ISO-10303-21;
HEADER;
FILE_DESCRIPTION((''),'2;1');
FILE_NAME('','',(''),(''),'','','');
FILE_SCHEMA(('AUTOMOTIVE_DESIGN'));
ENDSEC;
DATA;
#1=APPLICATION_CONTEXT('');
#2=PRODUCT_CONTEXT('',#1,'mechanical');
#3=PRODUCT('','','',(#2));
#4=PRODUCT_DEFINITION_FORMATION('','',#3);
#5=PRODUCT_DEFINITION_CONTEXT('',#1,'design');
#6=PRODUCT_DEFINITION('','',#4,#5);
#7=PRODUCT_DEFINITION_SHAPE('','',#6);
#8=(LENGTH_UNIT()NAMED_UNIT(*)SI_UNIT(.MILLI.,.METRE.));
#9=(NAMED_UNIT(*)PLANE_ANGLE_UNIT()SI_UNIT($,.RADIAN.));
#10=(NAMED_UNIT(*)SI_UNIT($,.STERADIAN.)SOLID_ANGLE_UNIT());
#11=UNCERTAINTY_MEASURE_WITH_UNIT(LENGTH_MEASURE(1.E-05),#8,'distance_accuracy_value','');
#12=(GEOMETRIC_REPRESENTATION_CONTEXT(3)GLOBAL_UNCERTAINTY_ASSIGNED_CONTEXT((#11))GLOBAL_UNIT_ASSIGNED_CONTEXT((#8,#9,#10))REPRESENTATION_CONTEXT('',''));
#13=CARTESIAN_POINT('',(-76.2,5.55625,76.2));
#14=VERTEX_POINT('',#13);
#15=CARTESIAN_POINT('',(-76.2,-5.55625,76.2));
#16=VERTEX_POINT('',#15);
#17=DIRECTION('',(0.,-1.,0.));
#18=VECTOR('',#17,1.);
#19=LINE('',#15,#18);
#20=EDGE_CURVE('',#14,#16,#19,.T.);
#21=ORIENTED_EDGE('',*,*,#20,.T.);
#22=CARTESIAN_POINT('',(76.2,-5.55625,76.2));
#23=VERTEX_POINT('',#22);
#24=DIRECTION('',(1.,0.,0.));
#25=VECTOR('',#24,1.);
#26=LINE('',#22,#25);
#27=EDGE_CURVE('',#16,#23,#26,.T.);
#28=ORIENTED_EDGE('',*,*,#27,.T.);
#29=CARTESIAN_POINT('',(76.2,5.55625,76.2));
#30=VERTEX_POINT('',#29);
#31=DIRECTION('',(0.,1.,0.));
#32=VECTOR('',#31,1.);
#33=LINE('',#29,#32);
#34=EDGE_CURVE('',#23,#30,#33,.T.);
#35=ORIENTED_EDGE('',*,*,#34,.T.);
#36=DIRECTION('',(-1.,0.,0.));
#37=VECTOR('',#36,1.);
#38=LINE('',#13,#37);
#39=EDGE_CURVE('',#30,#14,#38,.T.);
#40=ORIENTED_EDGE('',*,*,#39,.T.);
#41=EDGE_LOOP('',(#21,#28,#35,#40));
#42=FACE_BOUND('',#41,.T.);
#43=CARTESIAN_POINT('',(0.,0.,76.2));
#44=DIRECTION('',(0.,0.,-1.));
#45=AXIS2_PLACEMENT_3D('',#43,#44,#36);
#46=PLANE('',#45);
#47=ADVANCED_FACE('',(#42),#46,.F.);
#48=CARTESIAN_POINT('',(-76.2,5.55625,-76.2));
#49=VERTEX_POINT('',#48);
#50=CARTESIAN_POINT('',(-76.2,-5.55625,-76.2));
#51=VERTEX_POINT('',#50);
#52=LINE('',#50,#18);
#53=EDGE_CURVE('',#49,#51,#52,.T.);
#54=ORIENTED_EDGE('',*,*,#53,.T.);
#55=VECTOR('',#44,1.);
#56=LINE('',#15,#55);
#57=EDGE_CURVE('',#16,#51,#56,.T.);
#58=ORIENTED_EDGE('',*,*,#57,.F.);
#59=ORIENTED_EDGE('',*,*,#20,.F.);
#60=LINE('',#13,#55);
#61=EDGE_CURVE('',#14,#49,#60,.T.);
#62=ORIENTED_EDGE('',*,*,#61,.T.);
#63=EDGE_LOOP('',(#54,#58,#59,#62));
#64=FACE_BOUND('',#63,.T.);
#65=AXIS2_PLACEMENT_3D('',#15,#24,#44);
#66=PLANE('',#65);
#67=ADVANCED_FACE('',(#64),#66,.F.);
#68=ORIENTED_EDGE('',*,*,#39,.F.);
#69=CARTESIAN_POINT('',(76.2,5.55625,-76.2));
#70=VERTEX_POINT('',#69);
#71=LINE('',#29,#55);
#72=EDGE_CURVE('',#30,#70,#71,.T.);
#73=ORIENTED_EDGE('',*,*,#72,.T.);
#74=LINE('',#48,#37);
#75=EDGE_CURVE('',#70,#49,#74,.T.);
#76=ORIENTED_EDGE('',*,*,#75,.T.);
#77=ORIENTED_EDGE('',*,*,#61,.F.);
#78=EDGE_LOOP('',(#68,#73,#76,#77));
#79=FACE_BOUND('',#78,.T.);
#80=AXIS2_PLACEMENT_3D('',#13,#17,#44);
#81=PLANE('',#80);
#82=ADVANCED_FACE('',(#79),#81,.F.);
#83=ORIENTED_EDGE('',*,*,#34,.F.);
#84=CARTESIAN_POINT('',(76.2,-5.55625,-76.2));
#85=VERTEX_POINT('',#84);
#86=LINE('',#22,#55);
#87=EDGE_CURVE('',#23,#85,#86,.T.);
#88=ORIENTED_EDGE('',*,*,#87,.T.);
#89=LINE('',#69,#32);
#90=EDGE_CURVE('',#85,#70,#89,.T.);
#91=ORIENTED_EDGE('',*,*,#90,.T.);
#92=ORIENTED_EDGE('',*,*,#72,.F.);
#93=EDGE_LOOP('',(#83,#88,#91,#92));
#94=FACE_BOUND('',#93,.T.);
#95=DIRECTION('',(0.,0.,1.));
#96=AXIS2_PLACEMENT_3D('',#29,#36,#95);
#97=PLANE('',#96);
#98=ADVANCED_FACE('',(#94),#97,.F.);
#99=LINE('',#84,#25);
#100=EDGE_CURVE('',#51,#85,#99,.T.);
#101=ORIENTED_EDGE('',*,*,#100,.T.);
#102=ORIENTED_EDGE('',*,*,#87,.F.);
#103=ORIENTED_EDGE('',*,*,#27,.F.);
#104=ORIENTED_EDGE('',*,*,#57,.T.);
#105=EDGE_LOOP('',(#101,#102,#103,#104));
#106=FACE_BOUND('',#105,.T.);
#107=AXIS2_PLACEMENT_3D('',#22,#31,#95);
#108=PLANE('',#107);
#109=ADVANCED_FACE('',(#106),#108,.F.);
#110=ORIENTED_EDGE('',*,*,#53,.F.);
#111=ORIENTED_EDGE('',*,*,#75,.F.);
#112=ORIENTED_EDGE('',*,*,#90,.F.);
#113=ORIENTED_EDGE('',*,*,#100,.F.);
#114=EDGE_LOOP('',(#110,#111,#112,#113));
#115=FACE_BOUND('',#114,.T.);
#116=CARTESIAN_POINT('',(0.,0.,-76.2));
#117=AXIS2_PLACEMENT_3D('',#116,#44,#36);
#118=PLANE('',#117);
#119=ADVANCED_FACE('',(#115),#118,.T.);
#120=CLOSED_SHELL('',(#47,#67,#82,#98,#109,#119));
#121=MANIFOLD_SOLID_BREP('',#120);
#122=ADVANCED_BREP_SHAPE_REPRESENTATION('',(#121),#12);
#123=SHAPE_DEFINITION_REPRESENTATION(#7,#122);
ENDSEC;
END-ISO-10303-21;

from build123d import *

# Parameters (mm, degrees)
SKETCH3_W           = 152.4
SKETCH3_H           = 11.1125
BOSS_EXTRUDE1_DEPTH = 76.2


with BuildPart() as part:
    # Sketch3 → Boss-Extrude1 (new, symmetric)
    with BuildSketch(Plane.XY):
        Rectangle(SKETCH3_W, SKETCH3_H)
    extrude(amount=BOSS_EXTRUDE1_DEPTH, both=True)


solid = part.part
